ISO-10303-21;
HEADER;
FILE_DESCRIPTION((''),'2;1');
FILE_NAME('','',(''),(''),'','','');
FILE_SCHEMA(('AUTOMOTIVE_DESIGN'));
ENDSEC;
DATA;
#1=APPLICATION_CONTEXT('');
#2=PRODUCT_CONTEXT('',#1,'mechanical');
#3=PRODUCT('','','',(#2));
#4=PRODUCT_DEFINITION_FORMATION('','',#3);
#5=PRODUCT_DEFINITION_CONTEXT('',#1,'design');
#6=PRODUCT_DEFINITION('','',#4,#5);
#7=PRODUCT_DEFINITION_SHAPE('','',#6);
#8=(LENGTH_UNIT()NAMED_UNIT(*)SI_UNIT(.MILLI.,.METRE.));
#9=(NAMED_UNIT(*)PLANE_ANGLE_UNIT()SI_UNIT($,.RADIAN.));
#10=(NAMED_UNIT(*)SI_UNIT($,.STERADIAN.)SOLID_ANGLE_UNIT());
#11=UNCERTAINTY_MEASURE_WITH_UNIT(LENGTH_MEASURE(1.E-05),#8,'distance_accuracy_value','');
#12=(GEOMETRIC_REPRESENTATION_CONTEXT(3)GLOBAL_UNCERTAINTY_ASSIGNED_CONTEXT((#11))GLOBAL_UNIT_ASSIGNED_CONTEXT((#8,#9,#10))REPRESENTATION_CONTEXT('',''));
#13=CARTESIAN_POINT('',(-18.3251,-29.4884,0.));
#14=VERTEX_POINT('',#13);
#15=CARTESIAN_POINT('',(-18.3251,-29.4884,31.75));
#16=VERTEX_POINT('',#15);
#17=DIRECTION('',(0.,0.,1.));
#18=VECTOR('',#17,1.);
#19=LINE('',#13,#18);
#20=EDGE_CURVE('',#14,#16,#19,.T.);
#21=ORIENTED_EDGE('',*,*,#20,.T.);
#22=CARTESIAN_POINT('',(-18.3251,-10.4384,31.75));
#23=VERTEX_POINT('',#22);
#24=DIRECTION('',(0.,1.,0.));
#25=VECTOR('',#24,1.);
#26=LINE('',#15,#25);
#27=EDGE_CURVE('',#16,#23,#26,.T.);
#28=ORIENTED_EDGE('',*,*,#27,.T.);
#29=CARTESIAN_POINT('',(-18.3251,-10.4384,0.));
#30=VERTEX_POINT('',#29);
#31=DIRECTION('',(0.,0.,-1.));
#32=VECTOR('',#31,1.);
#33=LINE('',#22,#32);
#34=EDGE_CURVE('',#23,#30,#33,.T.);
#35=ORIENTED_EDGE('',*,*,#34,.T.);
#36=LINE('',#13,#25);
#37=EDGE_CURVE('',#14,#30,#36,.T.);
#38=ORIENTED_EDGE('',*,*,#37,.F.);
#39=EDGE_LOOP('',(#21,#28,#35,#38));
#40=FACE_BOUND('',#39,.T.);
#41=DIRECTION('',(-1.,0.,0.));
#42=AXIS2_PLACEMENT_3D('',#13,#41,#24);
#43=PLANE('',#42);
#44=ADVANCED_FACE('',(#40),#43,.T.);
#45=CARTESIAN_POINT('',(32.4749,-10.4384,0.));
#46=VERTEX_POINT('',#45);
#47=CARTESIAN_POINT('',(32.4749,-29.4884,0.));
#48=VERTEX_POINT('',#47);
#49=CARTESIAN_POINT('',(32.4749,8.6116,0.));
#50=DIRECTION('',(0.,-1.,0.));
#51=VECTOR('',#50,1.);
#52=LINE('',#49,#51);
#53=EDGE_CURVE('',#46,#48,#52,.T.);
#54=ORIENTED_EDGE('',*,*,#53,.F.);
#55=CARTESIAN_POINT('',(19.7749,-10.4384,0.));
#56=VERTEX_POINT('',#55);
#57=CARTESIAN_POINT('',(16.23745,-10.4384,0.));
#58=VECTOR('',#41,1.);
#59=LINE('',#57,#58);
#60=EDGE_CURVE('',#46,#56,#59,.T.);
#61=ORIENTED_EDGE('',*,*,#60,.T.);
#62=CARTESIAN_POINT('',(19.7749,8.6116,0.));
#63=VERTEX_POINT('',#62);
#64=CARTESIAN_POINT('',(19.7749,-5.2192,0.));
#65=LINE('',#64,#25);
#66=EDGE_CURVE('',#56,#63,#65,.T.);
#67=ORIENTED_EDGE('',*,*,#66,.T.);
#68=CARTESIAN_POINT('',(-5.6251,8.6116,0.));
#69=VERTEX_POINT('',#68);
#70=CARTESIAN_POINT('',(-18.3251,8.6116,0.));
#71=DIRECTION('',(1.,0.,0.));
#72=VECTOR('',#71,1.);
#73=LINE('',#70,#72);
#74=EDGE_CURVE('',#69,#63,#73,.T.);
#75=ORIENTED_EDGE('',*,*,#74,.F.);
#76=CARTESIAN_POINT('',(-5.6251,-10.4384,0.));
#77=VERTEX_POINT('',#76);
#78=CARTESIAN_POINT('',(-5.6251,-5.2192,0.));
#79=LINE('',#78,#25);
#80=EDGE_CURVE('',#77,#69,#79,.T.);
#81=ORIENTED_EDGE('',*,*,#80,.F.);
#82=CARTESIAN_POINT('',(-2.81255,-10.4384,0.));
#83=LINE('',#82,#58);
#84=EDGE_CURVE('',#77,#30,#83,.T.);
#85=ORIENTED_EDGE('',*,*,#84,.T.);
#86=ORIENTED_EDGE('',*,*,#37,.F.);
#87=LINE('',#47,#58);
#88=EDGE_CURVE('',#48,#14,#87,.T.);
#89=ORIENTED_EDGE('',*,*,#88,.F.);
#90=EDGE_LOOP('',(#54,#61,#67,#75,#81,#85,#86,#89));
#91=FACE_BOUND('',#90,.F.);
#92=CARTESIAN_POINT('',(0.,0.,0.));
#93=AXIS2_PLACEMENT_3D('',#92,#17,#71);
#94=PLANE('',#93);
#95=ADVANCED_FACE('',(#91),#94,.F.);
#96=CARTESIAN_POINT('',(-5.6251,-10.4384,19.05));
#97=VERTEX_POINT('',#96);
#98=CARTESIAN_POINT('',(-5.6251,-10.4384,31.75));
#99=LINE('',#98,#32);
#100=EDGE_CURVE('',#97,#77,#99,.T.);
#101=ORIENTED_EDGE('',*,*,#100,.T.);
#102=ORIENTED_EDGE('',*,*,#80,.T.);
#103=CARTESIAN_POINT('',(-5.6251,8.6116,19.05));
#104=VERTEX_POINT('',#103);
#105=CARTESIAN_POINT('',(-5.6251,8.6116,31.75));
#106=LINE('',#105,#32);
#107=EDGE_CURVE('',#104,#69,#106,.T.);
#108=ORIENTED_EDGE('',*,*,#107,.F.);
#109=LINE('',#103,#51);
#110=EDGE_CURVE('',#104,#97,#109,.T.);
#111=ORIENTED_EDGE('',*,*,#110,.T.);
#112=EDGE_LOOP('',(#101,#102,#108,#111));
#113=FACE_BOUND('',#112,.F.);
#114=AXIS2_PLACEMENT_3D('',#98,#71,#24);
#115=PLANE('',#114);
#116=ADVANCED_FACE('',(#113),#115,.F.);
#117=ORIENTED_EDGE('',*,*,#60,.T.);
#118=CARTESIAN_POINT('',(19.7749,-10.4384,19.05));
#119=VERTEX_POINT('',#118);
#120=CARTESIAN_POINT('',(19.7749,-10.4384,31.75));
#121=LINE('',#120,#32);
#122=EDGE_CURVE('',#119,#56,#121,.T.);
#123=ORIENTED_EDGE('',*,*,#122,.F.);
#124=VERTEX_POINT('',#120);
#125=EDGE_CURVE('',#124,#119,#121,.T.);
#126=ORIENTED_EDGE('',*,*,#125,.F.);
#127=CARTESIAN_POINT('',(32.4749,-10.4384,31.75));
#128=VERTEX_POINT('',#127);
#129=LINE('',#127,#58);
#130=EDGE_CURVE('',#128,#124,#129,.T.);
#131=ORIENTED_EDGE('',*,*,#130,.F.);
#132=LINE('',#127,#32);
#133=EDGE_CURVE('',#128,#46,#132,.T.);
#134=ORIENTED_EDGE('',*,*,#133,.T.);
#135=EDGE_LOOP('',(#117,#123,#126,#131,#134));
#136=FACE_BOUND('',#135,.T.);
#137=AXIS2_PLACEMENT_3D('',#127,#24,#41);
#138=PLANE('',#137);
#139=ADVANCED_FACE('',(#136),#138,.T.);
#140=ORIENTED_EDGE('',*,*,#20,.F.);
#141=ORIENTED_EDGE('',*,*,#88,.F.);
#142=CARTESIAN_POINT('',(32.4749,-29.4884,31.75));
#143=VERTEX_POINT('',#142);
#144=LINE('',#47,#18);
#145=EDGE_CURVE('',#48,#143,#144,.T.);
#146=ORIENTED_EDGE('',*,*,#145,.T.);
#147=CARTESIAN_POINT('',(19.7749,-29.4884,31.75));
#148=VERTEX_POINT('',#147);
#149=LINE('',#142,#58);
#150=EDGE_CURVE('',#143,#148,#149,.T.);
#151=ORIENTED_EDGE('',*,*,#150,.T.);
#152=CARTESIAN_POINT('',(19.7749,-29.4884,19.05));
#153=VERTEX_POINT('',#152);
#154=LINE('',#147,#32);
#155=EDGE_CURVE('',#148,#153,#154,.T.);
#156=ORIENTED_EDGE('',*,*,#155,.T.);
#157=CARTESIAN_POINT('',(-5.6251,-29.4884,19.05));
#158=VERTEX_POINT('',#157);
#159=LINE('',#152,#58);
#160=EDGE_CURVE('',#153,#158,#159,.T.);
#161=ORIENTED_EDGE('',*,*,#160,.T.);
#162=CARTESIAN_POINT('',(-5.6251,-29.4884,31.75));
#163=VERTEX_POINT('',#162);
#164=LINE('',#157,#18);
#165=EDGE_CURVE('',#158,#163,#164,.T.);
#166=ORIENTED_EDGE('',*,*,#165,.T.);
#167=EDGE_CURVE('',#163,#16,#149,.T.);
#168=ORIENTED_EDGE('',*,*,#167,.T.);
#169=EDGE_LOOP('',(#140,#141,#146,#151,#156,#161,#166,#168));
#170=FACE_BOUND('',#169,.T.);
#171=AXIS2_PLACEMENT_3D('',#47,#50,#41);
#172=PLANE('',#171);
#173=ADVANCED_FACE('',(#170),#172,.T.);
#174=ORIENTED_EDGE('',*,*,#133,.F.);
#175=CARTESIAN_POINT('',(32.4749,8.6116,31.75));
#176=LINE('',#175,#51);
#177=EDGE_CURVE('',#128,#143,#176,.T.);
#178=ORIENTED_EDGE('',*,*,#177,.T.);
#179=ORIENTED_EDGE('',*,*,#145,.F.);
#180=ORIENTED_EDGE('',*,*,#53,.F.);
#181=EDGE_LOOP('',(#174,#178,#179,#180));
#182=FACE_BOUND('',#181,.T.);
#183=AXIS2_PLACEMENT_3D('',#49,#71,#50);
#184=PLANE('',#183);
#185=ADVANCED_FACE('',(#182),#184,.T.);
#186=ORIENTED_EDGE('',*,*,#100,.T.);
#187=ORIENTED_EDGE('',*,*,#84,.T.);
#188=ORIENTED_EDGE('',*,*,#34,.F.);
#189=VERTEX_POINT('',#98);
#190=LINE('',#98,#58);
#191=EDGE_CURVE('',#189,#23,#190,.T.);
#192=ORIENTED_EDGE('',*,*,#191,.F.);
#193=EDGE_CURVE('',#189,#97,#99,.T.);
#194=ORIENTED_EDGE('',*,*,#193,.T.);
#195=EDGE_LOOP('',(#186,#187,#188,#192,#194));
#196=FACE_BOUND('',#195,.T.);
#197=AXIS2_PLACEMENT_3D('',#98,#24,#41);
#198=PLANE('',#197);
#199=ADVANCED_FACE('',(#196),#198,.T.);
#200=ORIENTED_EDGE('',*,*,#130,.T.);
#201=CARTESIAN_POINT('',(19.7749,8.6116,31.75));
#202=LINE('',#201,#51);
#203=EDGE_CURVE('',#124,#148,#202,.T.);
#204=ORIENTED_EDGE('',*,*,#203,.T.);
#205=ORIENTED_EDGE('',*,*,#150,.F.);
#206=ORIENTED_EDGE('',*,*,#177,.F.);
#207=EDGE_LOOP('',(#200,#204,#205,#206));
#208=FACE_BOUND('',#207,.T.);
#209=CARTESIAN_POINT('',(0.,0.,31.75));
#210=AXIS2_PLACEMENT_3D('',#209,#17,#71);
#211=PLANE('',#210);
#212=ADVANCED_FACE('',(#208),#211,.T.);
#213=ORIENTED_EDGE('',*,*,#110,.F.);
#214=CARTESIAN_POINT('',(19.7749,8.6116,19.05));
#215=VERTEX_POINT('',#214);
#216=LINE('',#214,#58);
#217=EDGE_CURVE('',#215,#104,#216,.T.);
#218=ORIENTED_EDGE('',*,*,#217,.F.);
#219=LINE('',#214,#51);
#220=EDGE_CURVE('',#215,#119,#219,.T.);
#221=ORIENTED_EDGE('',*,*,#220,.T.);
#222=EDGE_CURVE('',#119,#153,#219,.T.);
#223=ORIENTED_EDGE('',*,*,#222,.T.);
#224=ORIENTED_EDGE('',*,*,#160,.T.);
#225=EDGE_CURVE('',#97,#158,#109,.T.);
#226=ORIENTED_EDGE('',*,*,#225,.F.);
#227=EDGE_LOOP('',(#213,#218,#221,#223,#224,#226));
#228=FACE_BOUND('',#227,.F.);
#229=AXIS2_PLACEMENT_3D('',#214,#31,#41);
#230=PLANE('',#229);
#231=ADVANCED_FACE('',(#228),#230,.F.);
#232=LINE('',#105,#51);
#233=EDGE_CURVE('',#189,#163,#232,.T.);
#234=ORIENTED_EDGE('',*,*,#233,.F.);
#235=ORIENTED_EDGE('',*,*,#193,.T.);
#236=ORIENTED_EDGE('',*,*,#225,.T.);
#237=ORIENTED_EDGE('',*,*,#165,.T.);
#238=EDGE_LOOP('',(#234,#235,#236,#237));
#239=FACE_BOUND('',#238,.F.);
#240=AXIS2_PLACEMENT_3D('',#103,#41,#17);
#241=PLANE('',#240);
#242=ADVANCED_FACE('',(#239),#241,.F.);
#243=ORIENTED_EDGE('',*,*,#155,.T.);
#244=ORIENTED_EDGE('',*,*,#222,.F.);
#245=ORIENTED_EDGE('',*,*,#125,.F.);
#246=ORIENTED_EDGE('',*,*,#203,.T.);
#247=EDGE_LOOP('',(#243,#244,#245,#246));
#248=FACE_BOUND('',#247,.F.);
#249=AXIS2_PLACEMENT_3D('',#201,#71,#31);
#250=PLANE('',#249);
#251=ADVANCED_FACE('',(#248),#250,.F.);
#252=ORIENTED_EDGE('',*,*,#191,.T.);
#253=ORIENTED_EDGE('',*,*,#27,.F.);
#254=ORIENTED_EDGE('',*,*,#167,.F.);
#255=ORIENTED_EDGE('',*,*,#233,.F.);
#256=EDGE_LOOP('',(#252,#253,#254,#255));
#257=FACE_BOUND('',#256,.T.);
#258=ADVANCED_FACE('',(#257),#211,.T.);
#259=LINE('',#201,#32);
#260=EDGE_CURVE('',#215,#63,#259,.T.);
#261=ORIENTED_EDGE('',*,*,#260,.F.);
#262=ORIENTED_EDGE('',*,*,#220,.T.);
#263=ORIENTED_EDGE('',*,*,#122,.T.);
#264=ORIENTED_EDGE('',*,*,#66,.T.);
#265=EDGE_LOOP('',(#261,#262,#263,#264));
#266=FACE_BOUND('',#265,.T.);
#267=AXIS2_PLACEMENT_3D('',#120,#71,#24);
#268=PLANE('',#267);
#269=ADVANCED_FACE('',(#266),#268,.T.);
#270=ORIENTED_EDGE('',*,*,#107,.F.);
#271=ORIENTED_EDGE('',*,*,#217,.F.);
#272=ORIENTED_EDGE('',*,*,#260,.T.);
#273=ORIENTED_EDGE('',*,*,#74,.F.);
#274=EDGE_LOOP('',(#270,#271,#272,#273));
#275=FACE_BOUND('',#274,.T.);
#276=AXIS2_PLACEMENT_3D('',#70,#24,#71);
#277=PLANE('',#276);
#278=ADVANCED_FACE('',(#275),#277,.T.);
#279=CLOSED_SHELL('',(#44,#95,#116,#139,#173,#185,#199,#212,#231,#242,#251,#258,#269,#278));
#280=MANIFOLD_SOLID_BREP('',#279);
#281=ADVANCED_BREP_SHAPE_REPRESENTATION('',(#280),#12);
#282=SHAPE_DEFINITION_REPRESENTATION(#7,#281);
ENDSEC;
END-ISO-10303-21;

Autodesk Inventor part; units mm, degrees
ref_plane "YZ Plane" through (0, 0, 0) normal (1, 0, 0) x (0, 1, 0)
ref_plane "XZ Plane" through (0, 0, 0) normal (0, 1, 0) x (-1, 0, 0)
ref_plane "XY Plane" through (0, 0, 0) normal (0, 0, 1) x (1, 0, 0)
sketch "Sketch1" plane through (0, 0, 0) normal (0, 0, 1) x (1, 0, 0)
  line L0 (-18.3251, 8.6116) -> (32.4749, 8.6116)
  line L1 (32.4749, 8.6116) -> (32.4749, -29.4884)
  line L2 (32.4749, -29.4884) -> (-18.3251, -29.4884)
  line L3 (-18.3251, -29.4884) -> (-18.3251, 8.6116)
  point P0 (0, 0)
  dimension "d0" = 50.8
  dimension "d1" = 38.1
extrude "Extrusion1" add sketch "Sketch1" along normal blind 31.75
sketch "Sketch2" plane through (-18.3251, 8.6116, 0) normal (0, 1, 0) x (1, 0, 0)
  line L0 (50.8, -31.75) -> (0, -31.75) projected
  line L1 (12.7, -31.75) -> (38.1, -31.75)
  line L2 (38.1, -31.75) -> (38.1, -19.05)
  line L3 (38.1, -19.05) -> (12.7, -19.05)
  line L4 (12.7, -19.05) -> (12.7, -31.75)
  line L5 (50.8, 0) -> (50.8, -31.75) projected
  point P0 (18.3251, 0)
  dimension "d4" = 12.7
  dimension "d5" = 25.4
  dimension "d6" = 12.7
extrude "Extrusion2" cut sketch "Sketch2" against normal blind 38.1
sketch "Sketch3" plane through (0, 0, 31.75) normal (0, 0, 1) x (1, 0, 0)
  line L0 (32.4749, -29.4884) -> (32.4749, 8.6116) projected
  line L1 (19.7749, 8.6116) -> (32.4749, 8.6116)
  line L2 (32.4749, 8.6116) -> (32.4749, -10.4384)
  line L3 (32.4749, -10.4384) -> (19.7749, -10.4384)
  line L4 (19.7749, -10.4384) -> (19.7749, 8.6116)
  line L5 (-5.6251, 8.6116) -> (-18.3251, 8.6116) projected
  line L6 (-5.6251, -29.4884) -> (-5.6251, 8.6116) projected
  line L7 (-18.3251, 8.6116) -> (-5.6251, 8.6116)
  line L8 (-5.6251, 8.6116) -> (-5.6251, -10.4384)
  line L9 (-5.6251, -10.4384) -> (-18.3251, -10.4384)
  line L10 (-18.3251, -10.4384) -> (-18.3251, 8.6116)
  line L11 (-18.3251, -29.4884) -> (-5.6251, -29.4884) projected
  line L12 (19.7749, -29.4884) -> (32.4749, -29.4884) projected
  point P0 (0, 0)
  dimension "d9" = 19.05
  dimension "d10" = 19.05
extrude "Extrusion3" cut sketch "Sketch3" against normal blind 38.1
properties part number "Figure 7_27_7"
